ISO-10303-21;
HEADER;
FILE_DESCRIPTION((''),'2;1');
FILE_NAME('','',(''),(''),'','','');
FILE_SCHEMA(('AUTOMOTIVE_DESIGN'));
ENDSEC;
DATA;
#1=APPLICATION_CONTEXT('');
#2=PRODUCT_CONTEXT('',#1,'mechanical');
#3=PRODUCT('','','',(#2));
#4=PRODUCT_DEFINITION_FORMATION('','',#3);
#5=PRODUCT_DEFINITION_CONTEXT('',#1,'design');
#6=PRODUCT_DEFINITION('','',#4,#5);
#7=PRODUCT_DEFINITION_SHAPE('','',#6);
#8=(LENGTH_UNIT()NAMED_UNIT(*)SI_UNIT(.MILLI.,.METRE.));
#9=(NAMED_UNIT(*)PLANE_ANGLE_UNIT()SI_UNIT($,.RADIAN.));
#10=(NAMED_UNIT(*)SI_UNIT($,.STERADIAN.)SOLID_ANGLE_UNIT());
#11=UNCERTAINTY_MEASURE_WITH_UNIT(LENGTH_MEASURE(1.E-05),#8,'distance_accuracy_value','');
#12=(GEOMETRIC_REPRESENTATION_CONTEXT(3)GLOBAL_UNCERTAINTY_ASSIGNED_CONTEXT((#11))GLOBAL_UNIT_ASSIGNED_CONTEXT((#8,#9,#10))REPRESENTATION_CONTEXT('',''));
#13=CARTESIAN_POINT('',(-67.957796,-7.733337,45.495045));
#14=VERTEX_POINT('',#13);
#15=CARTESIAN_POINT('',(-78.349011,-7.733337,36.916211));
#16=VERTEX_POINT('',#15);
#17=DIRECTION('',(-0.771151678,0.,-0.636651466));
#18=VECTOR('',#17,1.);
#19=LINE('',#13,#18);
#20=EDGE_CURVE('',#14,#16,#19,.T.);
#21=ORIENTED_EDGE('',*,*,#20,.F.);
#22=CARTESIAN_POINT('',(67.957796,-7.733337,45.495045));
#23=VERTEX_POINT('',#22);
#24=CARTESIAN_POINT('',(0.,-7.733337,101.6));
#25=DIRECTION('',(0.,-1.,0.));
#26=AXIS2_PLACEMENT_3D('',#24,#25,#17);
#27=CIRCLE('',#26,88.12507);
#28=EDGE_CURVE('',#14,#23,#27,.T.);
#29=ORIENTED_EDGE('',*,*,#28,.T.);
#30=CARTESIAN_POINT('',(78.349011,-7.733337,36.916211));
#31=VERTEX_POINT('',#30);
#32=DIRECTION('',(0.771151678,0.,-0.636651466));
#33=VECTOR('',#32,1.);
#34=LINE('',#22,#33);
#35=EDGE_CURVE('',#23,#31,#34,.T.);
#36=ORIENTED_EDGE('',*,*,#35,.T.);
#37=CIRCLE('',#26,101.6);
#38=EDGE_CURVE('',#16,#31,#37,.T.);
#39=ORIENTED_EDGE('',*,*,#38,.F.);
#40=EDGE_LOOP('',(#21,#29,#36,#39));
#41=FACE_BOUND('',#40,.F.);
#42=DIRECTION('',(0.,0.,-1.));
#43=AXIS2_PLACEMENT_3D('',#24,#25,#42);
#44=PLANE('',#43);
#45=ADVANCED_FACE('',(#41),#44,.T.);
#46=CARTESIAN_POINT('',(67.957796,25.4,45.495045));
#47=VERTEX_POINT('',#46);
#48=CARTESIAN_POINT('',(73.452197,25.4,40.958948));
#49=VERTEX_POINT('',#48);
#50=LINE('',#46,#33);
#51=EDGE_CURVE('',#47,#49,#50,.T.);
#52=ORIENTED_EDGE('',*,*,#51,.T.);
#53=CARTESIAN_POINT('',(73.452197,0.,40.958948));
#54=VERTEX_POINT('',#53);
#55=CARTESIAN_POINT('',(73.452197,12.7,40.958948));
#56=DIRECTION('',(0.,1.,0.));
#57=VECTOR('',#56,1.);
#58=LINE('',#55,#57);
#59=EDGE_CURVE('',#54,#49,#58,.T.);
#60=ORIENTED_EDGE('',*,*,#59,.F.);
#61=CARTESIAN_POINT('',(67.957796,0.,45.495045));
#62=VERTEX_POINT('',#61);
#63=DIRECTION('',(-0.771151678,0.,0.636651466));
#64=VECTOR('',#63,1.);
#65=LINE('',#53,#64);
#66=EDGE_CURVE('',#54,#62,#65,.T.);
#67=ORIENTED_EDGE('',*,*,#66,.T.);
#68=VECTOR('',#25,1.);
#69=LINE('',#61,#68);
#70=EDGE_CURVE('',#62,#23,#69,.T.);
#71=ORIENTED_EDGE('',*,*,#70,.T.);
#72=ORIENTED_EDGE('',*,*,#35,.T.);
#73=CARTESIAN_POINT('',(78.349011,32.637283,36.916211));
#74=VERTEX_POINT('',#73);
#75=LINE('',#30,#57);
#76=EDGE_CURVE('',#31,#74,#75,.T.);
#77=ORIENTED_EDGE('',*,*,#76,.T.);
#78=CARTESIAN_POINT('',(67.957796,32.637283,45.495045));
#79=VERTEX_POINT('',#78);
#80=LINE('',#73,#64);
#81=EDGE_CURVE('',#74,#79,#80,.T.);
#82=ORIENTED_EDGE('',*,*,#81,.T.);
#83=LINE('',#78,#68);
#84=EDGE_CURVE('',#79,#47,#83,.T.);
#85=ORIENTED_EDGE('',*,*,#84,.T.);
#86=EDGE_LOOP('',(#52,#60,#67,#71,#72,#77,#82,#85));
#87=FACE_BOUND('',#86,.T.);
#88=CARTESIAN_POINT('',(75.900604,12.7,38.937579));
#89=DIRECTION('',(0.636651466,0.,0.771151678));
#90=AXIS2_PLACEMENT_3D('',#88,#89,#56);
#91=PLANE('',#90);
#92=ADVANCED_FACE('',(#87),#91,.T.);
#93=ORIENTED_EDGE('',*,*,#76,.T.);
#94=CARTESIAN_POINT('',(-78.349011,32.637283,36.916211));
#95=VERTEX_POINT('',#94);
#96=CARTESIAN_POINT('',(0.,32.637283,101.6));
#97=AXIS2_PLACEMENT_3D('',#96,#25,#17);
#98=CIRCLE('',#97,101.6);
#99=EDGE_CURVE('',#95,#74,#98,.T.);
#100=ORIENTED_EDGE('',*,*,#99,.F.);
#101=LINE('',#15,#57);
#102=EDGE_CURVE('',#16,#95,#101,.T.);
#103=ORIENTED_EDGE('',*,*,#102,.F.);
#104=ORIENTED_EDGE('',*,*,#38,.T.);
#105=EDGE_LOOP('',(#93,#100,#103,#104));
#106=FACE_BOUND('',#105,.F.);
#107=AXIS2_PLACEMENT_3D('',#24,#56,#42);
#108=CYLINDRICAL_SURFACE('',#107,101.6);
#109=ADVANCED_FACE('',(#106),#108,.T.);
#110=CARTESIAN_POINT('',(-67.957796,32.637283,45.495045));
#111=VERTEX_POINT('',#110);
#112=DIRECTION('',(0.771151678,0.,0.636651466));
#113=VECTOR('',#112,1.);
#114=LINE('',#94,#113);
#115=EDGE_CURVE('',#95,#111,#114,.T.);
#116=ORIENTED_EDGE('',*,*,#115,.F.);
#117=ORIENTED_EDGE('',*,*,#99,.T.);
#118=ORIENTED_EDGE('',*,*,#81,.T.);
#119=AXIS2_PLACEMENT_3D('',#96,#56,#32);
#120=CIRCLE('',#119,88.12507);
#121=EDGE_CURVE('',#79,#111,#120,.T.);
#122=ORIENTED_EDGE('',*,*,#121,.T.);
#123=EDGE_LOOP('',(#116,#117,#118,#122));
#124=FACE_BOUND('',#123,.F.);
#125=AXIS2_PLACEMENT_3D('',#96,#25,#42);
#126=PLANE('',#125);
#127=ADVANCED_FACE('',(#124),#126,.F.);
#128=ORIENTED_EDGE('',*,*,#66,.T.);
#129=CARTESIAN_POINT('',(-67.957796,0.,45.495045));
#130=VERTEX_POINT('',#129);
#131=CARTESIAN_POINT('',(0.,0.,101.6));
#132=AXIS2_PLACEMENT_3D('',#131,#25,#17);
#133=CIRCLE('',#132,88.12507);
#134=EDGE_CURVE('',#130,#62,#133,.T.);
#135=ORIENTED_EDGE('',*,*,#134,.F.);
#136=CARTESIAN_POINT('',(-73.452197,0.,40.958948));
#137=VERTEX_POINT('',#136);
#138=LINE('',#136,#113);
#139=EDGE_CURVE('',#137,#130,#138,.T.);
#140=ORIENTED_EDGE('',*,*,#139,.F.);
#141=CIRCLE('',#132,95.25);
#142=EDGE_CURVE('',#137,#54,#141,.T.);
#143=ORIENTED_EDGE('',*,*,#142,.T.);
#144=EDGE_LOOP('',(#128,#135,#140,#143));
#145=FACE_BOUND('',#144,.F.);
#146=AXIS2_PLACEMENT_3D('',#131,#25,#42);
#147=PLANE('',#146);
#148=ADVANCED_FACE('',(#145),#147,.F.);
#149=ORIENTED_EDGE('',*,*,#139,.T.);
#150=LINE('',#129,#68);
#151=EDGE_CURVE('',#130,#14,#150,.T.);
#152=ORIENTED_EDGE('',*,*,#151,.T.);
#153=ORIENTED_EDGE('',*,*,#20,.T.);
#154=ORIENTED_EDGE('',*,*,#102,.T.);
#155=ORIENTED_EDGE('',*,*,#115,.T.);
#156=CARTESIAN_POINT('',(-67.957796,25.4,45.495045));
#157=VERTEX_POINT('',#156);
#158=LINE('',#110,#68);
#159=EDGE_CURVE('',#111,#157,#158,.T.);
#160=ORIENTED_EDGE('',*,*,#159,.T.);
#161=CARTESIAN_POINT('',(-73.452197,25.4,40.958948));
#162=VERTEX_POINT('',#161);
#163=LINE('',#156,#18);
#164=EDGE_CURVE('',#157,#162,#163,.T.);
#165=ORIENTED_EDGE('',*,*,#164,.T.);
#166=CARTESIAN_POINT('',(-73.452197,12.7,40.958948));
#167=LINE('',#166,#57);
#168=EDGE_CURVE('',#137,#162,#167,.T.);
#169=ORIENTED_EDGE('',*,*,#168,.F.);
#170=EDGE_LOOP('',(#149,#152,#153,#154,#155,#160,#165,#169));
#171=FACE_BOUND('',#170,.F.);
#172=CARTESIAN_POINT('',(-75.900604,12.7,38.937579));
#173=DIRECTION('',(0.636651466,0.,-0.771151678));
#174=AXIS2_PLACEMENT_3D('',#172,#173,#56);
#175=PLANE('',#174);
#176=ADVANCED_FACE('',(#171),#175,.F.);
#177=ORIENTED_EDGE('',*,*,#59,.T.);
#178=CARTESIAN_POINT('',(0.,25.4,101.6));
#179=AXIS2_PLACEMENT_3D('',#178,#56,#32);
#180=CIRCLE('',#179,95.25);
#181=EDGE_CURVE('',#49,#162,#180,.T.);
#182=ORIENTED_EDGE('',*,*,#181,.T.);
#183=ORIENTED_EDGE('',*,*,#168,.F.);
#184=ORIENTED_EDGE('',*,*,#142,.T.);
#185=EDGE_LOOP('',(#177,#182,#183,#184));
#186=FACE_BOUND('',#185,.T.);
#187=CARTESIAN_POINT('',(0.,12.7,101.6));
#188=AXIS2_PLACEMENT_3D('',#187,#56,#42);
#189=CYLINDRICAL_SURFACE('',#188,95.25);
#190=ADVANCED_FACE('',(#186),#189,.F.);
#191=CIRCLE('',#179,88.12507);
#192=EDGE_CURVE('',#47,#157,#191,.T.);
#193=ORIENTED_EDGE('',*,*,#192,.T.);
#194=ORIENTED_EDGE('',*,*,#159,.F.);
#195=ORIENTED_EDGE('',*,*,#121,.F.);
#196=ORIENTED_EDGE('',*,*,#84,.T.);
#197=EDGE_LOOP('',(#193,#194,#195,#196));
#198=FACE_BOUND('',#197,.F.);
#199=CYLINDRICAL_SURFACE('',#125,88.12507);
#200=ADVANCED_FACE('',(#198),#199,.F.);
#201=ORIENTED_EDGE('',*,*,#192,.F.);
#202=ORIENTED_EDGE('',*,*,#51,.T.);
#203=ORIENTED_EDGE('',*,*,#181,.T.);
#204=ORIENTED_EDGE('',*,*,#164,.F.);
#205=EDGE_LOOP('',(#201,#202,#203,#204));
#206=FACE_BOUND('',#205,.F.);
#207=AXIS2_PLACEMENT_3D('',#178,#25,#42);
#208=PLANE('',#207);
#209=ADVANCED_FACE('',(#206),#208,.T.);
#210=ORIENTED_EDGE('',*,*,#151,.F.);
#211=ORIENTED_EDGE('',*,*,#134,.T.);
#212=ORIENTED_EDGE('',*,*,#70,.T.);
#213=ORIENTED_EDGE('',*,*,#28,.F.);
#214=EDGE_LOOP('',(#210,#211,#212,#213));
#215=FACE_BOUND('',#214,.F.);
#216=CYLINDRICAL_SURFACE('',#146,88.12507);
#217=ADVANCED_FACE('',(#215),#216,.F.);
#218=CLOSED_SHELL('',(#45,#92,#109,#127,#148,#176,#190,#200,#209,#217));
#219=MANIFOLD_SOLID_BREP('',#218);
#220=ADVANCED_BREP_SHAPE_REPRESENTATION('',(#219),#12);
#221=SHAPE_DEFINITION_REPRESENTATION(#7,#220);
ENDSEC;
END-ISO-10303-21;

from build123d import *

# Parameters (mm, degrees)
F0_W     = 25.4
F0_H     = 6.35
F1_ANGLE = 100.914843


with BuildPart() as f1:
    # F0 (on Right) → F1 (revolve, symmetric)
    with BuildSketch(Plane.YZ) as f1_sk:
        with Locations((12.7, 3.175)):
            Rectangle(F0_W, F0_H)
        Polygon((-7.733337, 0), (0, 0), (0, 6.35), (0, 13.47493), (-7.733337, 13.47493), align=None)
        Polygon((25.4, 6.35), (25.4, 0), (32.637283, 0), (32.637283, 13.47493), (25.4, 13.47493), align=None)
    revolve(axis=Axis((0, 12.517576, 101.6), (0, 1, 0)), revolution_arc=F1_ANGLE / 2)
    revolve(f1_sk.sketch, axis=Axis((0, 12.517576, 101.6), (0, -1, 0)), revolution_arc=F1_ANGLE / 2)


solid = f1.part
